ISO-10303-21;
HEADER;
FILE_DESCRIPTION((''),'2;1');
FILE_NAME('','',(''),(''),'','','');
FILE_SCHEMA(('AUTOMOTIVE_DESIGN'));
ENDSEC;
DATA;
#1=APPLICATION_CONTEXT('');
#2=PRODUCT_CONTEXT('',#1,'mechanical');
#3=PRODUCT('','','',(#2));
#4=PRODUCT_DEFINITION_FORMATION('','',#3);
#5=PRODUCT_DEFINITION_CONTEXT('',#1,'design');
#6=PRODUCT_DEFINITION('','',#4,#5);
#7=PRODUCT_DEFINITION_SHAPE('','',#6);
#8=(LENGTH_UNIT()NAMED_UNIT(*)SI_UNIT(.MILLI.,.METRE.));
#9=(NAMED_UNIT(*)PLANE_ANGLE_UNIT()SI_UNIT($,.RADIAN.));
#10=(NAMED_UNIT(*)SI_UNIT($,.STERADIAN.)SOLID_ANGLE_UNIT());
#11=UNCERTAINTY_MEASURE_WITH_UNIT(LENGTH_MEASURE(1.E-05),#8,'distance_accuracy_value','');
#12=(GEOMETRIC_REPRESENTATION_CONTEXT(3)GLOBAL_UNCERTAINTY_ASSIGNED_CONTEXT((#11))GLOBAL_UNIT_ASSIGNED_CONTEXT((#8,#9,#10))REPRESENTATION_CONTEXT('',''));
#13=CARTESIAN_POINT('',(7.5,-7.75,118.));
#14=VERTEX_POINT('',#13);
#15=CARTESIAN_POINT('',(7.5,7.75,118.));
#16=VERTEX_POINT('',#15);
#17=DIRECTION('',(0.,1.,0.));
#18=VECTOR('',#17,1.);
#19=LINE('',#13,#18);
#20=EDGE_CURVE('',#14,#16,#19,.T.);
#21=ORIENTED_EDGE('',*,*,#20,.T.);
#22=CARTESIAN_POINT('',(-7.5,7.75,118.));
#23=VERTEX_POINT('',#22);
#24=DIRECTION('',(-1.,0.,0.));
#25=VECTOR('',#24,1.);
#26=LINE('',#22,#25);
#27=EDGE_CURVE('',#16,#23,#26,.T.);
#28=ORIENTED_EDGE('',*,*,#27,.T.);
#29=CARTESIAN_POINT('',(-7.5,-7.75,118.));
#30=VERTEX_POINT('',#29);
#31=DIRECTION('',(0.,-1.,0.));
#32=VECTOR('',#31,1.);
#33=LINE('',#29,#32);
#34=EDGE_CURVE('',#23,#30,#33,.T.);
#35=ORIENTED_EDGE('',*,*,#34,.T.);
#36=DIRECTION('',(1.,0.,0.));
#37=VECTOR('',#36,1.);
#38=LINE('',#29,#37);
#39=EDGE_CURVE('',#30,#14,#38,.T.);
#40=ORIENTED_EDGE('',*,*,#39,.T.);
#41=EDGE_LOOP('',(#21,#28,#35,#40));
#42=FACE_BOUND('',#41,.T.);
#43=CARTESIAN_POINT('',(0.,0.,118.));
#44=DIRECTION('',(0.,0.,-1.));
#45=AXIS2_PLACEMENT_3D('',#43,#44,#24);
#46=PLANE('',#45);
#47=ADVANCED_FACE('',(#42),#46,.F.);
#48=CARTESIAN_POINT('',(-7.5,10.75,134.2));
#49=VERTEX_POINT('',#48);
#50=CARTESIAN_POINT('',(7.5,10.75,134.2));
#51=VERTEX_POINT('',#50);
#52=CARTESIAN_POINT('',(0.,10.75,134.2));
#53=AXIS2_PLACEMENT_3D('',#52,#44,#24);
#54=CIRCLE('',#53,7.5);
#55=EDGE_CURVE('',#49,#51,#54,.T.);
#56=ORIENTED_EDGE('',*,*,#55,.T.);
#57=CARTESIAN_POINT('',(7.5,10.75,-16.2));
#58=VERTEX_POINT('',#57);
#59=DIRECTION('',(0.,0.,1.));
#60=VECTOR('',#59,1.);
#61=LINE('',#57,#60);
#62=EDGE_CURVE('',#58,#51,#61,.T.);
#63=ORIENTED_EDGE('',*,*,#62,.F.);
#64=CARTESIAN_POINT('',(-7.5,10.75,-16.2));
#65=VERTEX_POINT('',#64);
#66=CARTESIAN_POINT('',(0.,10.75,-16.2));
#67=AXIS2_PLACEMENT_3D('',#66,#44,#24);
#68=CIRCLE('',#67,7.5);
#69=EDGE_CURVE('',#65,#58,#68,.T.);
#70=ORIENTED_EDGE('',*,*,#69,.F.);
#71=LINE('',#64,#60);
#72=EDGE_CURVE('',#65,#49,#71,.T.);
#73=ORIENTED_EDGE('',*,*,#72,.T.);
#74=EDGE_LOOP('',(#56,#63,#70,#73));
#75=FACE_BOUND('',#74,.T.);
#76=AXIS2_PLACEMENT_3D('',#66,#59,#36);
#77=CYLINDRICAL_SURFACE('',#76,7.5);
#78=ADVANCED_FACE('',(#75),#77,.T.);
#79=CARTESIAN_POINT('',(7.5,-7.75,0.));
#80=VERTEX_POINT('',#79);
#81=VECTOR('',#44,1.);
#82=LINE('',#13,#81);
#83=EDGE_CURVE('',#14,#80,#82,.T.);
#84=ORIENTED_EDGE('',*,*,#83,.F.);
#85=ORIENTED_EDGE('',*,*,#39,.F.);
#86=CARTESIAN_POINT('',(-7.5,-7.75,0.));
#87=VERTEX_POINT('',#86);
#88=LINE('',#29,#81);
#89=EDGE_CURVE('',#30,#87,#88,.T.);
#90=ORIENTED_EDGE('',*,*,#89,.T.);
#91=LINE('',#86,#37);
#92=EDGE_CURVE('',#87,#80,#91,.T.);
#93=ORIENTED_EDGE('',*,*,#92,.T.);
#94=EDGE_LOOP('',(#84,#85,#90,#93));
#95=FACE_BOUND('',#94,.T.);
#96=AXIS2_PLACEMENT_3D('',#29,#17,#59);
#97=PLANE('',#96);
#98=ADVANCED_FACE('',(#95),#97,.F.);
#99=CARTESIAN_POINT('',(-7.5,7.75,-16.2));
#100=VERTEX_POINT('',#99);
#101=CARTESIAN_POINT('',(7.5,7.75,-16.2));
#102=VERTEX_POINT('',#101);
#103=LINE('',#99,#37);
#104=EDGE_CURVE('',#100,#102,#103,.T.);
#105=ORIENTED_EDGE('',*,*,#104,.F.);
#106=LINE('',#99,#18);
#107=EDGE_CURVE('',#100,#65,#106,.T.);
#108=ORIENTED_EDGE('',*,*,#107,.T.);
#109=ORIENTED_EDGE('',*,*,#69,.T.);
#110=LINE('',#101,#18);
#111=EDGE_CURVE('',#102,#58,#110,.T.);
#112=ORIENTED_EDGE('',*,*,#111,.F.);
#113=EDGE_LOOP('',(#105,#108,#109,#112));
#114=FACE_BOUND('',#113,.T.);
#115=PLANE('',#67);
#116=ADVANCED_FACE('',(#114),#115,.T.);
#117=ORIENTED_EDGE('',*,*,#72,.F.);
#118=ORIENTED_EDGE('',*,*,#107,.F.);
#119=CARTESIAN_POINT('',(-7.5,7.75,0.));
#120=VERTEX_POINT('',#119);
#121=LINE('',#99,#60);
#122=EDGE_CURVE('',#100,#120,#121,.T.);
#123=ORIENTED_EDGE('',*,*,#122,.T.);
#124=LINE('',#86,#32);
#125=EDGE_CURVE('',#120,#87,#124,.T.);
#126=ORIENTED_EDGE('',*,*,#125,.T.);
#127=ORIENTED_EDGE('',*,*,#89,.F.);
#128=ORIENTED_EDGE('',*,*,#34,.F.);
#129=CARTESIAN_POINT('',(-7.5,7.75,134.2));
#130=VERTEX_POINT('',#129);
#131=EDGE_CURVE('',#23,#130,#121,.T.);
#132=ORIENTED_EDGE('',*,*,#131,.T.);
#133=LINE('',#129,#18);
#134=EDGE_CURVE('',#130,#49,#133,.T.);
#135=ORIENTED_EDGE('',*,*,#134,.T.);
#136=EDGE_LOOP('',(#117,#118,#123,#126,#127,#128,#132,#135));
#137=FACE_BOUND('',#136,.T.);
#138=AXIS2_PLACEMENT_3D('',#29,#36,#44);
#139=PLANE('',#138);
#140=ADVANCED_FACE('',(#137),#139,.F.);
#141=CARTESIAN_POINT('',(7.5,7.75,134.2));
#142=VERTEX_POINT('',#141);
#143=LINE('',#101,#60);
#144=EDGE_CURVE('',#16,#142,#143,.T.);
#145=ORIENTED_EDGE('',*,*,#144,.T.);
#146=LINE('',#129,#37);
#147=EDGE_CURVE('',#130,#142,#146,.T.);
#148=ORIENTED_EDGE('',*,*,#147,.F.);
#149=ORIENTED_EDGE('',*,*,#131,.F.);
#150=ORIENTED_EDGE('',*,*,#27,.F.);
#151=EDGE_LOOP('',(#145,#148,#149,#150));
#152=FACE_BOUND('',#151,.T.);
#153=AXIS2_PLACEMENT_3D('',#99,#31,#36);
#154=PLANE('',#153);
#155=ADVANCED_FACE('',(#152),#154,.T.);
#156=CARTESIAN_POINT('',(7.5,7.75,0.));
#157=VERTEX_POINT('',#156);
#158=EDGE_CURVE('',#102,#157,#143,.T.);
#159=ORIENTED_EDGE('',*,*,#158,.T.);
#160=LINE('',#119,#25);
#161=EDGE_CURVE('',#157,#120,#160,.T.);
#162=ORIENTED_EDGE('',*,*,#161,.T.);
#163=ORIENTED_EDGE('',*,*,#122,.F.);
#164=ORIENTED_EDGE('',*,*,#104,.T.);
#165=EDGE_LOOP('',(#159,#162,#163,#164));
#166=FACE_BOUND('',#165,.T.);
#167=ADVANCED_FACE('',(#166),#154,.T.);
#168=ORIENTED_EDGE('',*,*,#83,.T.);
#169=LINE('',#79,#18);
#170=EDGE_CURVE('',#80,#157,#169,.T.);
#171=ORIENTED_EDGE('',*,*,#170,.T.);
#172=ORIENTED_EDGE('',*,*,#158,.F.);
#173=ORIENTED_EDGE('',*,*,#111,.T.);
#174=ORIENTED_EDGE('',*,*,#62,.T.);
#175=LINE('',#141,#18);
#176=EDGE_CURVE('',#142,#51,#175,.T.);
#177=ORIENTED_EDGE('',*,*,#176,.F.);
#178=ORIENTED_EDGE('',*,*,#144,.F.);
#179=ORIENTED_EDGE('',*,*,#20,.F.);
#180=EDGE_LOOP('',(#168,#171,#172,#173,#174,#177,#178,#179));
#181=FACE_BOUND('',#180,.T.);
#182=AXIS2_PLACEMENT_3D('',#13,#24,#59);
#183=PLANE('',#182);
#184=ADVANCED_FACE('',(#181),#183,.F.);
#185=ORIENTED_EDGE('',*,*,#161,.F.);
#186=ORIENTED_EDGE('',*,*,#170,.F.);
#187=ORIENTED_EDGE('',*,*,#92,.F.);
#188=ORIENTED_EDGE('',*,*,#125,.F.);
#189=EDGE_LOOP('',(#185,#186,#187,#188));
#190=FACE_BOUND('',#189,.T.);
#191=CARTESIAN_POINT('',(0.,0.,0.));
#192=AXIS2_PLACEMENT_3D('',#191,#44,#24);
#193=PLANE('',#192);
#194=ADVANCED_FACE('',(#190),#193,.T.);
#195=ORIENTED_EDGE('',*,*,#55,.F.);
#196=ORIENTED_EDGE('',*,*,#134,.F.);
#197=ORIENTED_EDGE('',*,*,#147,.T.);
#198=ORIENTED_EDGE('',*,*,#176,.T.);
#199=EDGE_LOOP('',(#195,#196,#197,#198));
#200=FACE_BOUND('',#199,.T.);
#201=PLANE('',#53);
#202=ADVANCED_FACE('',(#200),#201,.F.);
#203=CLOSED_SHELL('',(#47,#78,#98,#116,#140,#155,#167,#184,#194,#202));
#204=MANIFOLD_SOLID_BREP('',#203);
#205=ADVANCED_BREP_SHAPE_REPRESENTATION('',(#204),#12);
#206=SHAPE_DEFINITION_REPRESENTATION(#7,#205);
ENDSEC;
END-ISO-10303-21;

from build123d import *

# Parameters (mm, degrees)
SKETCH1_W                = 15
SKETCH1_H                = 15.5
BOSS_EXTRUDE1_DEPTH      = 118
BOSS_EXTRUDE2_DEPTH      = 16.2
BOSS_EXTRUDE2_DEPTH_BACK = 134.2


with BuildPart() as part:
    # Sketch1 → Boss-Extrude1 (new body)
    with BuildSketch(Plane.XY):
        Rectangle(SKETCH1_W, SKETCH1_H)
    extrude(amount=BOSS_EXTRUDE1_DEPTH)

    # Sketch2 → Boss-Extrude2 (add, two sides)
    with BuildSketch(Plane.XY.offset(118)) as boss_extrude2_sk:
        with BuildLine():
            Line((-7.5, 7.75), (-7.5, 10.75))
            ThreePointArc((-7.5, 10.75), (0, 18.25), (7.5, 10.75))
            Line((7.5, 10.75), (7.5, 7.75))
            Line((7.5, 7.75), (-7.5, 7.75))
        make_face()
    extrude(amount=BOSS_EXTRUDE2_DEPTH)
    extrude(boss_extrude2_sk.sketch, amount=-BOSS_EXTRUDE2_DEPTH_BACK)


solid = part.part
